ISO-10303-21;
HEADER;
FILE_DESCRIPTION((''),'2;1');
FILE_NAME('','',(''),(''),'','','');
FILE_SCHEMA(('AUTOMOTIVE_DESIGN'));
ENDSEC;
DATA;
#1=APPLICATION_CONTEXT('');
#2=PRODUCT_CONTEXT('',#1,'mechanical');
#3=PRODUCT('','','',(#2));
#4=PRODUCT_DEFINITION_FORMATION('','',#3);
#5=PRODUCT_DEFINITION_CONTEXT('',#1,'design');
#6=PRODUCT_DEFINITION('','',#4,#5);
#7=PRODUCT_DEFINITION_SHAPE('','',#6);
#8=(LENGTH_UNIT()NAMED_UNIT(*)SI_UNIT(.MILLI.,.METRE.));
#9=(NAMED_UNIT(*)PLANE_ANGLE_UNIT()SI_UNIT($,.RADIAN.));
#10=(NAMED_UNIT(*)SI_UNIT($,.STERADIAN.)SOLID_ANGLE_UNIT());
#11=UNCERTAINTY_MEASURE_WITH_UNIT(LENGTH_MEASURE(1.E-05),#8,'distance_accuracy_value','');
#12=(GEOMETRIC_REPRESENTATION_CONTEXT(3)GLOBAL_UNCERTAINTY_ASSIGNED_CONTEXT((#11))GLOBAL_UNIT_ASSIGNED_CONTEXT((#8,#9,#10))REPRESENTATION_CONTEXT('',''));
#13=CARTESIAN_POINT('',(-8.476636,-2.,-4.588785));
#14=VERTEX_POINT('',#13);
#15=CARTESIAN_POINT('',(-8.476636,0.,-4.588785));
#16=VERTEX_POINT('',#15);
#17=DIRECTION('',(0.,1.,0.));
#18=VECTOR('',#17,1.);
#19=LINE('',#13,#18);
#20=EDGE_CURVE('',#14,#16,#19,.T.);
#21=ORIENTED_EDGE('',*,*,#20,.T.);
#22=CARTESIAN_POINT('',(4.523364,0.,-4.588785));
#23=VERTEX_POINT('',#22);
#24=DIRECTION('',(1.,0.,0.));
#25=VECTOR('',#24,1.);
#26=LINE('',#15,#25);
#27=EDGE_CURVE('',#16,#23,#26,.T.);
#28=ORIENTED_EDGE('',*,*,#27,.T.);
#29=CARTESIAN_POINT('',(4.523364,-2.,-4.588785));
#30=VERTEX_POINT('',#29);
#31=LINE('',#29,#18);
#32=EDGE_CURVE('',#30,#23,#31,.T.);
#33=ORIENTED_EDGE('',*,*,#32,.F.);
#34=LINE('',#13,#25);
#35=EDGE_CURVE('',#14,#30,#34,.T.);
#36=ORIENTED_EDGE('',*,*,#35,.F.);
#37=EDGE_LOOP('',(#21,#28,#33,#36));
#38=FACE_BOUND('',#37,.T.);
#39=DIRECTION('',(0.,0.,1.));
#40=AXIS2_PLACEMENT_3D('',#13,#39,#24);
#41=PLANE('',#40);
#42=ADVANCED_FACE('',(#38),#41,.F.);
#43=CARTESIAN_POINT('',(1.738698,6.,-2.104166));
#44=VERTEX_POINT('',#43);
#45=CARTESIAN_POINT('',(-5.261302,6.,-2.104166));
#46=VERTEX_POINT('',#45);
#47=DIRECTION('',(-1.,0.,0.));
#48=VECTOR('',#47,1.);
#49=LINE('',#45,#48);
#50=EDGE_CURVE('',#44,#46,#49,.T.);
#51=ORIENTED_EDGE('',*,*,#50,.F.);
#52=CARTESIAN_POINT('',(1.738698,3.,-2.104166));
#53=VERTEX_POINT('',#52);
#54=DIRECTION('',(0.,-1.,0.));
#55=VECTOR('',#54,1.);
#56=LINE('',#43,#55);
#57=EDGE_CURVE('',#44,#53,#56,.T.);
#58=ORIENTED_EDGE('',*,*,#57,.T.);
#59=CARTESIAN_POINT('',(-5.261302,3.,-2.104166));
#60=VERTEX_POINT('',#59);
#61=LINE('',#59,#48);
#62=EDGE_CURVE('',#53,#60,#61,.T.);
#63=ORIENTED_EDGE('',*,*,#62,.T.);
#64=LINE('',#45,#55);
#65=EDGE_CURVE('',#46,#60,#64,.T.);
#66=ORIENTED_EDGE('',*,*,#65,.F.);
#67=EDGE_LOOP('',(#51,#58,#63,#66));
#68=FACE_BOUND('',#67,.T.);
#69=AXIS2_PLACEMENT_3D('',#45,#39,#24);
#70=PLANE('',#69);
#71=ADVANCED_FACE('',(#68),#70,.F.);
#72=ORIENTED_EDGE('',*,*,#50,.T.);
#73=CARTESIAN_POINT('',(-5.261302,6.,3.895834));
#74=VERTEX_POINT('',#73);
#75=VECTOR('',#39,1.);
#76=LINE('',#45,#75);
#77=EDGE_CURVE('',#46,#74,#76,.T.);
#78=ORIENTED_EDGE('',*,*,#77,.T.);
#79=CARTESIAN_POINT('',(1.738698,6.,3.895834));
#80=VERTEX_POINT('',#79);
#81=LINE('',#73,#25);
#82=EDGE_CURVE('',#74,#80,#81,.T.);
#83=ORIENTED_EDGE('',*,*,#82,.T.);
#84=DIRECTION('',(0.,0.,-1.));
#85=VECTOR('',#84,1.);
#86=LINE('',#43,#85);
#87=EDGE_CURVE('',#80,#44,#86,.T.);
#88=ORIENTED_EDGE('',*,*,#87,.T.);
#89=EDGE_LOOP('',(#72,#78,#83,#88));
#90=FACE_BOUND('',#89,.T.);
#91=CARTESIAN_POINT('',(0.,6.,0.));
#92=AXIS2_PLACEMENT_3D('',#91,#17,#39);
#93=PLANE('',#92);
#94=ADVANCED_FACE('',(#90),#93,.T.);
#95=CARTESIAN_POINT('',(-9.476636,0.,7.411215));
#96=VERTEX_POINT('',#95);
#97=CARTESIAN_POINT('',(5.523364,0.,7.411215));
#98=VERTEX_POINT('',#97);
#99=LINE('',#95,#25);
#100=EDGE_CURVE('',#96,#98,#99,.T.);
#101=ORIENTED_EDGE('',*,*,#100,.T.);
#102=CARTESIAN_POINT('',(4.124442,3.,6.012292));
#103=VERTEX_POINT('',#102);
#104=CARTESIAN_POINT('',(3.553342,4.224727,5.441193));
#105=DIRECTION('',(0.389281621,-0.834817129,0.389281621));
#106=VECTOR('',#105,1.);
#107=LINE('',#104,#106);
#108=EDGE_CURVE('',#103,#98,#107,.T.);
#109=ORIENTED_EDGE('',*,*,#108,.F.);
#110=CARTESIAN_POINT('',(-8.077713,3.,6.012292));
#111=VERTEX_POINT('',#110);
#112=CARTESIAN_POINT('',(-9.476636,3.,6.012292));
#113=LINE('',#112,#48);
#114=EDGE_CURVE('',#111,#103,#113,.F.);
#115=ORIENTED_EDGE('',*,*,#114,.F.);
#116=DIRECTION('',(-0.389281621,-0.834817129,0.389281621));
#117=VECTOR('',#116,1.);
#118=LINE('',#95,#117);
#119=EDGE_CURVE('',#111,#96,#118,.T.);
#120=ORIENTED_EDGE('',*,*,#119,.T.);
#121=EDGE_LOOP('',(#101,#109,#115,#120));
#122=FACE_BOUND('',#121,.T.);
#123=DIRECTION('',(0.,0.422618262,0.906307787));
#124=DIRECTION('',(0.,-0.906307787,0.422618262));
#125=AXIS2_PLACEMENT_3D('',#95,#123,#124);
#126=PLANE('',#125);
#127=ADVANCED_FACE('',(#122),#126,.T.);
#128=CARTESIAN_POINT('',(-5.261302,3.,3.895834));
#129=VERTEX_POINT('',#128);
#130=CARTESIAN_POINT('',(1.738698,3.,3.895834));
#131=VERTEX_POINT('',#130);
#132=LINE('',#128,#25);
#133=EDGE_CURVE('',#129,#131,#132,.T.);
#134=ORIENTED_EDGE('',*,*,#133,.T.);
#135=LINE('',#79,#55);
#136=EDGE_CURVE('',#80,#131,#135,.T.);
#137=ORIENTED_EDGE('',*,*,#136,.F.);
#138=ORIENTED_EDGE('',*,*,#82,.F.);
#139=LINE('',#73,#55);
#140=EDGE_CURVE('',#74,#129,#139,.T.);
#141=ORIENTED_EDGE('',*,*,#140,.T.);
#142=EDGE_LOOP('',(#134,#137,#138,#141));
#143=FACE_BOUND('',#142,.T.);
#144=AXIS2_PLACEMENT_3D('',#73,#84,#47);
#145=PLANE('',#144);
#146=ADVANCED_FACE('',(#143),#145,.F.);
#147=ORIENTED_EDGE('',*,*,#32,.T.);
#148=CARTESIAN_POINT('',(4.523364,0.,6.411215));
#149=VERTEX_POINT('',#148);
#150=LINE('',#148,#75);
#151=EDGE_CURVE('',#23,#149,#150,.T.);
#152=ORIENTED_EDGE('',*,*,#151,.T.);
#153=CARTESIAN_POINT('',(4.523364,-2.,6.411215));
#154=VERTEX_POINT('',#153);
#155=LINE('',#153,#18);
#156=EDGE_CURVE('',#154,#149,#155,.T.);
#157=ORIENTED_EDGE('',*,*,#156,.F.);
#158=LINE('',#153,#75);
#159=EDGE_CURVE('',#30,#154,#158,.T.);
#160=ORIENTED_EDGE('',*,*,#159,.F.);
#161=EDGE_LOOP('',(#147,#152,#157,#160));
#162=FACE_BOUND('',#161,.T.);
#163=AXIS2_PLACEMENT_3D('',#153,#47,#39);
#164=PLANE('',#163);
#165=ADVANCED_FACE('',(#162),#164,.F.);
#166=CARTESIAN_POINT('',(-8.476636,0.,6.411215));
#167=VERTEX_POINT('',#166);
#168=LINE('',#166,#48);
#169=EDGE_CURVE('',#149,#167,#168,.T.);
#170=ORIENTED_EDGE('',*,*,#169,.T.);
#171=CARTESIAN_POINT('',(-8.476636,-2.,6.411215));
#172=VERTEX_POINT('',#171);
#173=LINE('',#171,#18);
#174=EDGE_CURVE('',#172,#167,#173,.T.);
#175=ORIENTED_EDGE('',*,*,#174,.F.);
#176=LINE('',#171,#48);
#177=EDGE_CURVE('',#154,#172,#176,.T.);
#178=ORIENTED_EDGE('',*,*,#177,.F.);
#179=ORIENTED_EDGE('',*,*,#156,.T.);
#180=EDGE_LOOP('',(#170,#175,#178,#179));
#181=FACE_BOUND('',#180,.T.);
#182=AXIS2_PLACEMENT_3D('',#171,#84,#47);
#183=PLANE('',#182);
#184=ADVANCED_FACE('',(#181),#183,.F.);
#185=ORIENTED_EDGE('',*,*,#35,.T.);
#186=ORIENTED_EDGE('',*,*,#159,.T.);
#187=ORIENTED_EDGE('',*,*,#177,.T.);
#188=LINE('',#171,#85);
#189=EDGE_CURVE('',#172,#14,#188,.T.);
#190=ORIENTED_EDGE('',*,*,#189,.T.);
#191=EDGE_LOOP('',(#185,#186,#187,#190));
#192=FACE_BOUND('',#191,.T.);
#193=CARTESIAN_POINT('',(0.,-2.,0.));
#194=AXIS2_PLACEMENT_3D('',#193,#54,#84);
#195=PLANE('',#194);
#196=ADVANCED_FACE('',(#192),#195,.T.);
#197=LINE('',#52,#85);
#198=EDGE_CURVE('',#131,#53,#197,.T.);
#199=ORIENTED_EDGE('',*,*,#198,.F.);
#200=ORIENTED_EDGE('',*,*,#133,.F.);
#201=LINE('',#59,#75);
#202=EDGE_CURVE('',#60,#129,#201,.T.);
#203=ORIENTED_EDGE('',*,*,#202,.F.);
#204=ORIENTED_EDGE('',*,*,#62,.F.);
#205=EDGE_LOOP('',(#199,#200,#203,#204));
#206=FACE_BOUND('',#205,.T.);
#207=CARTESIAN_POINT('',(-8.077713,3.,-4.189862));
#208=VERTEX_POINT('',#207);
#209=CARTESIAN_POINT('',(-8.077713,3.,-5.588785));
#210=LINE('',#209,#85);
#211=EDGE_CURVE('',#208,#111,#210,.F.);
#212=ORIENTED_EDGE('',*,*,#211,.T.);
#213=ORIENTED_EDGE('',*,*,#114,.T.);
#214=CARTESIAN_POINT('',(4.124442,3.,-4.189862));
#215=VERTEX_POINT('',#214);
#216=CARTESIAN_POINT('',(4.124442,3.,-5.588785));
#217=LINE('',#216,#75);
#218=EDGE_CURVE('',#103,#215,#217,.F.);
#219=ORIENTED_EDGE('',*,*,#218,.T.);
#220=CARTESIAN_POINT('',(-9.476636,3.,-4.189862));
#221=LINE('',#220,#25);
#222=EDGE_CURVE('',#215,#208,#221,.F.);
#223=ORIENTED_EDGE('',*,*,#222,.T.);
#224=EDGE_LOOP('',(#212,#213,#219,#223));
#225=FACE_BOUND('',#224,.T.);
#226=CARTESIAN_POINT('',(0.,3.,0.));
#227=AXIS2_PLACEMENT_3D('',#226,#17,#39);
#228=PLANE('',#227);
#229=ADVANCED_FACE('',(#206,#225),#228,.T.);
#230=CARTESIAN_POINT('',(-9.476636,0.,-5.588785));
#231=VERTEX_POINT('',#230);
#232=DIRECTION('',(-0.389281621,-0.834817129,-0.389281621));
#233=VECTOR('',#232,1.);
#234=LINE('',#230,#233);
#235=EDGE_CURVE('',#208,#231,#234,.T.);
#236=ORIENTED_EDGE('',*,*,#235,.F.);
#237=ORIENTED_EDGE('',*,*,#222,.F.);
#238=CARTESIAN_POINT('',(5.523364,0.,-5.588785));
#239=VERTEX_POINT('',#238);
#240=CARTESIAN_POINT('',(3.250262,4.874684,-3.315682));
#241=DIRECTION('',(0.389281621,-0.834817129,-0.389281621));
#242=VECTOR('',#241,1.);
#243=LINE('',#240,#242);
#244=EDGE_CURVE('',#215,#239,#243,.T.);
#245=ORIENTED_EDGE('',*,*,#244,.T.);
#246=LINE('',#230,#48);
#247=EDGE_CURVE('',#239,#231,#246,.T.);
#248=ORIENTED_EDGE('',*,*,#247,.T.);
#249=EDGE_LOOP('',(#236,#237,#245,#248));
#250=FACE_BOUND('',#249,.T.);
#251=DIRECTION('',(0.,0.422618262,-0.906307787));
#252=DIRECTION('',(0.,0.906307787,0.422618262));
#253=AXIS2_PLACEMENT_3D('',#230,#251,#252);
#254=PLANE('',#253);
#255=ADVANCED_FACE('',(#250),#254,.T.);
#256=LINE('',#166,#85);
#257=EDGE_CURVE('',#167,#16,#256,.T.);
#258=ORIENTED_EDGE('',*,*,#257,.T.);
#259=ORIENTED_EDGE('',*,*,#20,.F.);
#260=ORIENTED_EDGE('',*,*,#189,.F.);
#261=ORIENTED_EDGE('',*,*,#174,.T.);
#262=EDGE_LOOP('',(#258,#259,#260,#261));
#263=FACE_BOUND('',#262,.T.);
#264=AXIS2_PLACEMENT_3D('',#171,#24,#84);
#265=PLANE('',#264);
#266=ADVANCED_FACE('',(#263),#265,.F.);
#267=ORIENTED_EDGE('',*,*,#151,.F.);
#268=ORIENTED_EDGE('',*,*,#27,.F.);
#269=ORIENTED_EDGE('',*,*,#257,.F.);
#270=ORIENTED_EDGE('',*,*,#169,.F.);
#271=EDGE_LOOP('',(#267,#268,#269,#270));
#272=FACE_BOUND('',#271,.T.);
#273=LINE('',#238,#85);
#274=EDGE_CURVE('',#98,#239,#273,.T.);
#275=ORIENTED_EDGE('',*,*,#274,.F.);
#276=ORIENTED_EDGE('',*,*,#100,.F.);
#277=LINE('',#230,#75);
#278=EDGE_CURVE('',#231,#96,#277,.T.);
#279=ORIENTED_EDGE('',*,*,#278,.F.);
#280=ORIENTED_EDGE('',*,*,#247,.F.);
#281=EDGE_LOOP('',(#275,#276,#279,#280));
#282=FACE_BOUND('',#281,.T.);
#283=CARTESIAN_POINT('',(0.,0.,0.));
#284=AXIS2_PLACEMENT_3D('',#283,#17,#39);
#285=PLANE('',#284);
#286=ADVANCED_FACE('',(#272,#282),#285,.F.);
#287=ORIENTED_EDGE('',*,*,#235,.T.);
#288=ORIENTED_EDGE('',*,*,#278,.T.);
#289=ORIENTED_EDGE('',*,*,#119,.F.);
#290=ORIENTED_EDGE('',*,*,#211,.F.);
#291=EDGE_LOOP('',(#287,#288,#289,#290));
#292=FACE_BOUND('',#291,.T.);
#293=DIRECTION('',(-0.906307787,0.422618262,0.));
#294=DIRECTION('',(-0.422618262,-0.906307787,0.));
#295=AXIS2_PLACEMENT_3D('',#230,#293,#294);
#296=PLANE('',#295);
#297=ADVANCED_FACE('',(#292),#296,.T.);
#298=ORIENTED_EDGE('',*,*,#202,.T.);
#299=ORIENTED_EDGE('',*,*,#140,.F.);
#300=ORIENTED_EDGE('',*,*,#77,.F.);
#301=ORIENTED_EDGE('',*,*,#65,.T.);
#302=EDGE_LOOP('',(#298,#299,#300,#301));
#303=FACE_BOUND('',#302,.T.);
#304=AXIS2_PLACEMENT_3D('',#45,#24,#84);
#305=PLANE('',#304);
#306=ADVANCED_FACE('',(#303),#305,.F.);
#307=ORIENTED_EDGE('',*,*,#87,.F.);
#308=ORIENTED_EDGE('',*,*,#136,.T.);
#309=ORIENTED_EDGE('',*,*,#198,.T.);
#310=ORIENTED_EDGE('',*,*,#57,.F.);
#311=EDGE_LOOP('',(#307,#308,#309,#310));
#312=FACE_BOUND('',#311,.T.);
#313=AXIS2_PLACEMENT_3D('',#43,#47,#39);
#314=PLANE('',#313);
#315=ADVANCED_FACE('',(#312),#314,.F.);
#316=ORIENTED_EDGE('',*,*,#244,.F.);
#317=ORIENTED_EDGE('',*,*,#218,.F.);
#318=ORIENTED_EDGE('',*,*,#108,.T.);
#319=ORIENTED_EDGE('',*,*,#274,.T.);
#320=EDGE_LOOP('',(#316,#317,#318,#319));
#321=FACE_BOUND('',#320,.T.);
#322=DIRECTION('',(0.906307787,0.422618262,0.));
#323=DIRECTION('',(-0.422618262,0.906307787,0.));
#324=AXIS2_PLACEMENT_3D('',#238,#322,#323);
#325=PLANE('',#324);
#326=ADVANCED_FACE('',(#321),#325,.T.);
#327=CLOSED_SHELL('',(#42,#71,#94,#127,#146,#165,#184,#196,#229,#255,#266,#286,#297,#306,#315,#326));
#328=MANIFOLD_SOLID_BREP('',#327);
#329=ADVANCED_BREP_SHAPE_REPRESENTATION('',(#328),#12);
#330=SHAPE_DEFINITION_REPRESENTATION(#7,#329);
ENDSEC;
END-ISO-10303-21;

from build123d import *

# Parameters (mm, degrees)
SKETCH1_W           = 15
SKETCH1_H           = 13
BOSS_EXTRUDE1_DEPTH = 3
BOSS_EXTRUDE1_TAPER = 25
SKETCH2_W           = 7
SKETCH2_H           = 6
BOSS_EXTRUDE2_DEPTH = 3
SKETCH4_W           = 13
SKETCH4_H           = 11
BOSS_EXTRUDE3_DEPTH = 2


with BuildPart() as part:
    # Sketch1 → Boss-Extrude1 (new body)
    with BuildSketch(Plane(origin=(0, 0, 0), x_dir=(1, 0, 0), z_dir=(0, 1, 0))):
        with Locations((-1.976635514, -0.911214953)):
            Rectangle(SKETCH1_W, SKETCH1_H)
    extrude(amount=BOSS_EXTRUDE1_DEPTH, taper=BOSS_EXTRUDE1_TAPER)

    # Sketch2 → Boss-Extrude2 (add)
    with BuildSketch(Plane(origin=(0, 3, 0), x_dir=(1, 0, 0), z_dir=(0, 1, 0))):
        with Locations((-1.761302023, -0.89583399)):
            Rectangle(SKETCH2_W, SKETCH2_H)
    extrude(amount=BOSS_EXTRUDE2_DEPTH)

    # Sketch4 → Boss-Extrude3 (add)
    with BuildSketch(Plane.XZ):
        with Locations((-1.976635514, 0.911214953)):
            Rectangle(SKETCH4_W, SKETCH4_H)
    extrude(amount=BOSS_EXTRUDE3_DEPTH)


solid = part.part
